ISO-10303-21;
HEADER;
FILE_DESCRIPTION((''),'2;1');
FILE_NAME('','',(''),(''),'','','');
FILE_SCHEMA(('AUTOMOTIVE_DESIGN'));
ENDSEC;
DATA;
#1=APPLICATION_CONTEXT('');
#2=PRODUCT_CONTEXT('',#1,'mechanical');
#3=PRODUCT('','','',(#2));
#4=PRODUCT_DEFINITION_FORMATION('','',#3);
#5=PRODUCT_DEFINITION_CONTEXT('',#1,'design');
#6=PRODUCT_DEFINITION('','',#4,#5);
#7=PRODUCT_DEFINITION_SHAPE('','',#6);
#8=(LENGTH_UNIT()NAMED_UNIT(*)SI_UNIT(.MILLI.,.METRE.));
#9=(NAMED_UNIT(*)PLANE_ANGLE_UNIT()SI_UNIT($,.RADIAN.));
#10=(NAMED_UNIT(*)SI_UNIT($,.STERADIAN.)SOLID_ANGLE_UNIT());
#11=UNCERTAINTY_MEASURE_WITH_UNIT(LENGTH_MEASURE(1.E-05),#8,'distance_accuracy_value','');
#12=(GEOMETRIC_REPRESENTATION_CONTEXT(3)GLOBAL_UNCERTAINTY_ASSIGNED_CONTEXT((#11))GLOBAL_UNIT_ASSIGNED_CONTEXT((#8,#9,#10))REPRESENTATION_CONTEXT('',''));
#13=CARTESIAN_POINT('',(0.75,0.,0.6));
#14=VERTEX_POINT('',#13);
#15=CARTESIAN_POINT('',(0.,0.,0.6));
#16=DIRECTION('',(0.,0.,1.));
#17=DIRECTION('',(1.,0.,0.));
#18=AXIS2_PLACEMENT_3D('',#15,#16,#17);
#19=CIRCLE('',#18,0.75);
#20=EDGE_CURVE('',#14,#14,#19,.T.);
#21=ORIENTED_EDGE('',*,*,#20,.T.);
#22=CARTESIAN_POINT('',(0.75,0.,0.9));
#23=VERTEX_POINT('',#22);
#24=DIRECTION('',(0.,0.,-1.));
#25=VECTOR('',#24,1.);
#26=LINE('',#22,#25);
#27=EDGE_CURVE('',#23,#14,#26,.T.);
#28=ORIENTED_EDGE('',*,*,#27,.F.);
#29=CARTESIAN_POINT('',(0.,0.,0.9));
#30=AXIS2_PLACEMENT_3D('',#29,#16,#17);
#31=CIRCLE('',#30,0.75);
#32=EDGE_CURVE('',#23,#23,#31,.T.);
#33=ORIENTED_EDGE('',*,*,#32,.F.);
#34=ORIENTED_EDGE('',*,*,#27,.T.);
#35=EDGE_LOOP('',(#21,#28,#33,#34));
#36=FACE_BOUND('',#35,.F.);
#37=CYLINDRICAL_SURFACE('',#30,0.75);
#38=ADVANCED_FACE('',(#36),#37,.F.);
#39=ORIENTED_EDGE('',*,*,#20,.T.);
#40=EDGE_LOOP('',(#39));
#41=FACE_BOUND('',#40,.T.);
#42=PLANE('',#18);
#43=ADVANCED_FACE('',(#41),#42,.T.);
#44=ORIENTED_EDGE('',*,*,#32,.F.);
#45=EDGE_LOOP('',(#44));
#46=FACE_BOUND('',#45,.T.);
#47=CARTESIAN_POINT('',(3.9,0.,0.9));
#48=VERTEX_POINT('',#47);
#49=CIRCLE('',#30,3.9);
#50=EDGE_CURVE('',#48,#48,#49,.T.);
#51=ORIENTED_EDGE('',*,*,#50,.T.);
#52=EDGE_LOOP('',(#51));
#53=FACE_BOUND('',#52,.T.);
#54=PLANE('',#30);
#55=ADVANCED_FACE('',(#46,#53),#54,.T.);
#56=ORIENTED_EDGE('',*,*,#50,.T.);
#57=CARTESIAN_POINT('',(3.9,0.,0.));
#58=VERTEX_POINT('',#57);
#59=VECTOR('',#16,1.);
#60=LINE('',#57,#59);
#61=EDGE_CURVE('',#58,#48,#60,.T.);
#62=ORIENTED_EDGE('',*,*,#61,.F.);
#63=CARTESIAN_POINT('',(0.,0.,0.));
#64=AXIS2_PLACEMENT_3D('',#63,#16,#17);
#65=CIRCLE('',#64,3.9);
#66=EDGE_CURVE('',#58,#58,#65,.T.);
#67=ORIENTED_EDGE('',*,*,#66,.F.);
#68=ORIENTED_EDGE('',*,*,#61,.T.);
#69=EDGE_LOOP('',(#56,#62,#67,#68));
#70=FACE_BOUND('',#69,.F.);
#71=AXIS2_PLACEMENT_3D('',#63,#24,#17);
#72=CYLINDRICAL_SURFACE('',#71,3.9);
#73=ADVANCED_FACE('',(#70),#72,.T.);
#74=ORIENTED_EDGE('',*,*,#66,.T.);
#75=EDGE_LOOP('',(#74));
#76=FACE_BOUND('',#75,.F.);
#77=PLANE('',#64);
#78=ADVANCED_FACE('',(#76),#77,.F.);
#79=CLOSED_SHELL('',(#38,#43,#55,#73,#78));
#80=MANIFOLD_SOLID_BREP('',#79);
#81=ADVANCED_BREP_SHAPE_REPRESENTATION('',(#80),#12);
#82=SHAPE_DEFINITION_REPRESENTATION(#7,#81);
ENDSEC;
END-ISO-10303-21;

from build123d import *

# Parameters (mm, degrees)
SKETCH1_R           = 3.9
BOSS_EXTRUDE1_DEPTH = 0.9
SKETCH2_R           = 0.75
CUT_EXTRUDE1_DEPTH  = 0.3


with BuildPart() as part:
    # Sketch1 → Boss-Extrude1 (new body)
    with BuildSketch(Plane.XY):
        Circle(SKETCH1_R)
    extrude(amount=BOSS_EXTRUDE1_DEPTH)

    # Sketch2 → Cut-Extrude1 (cut)
    with BuildSketch(Plane.XY.offset(0.9)):
        Circle(SKETCH2_R)
    extrude(amount=-CUT_EXTRUDE1_DEPTH, mode=Mode.SUBTRACT)


solid = part.part
